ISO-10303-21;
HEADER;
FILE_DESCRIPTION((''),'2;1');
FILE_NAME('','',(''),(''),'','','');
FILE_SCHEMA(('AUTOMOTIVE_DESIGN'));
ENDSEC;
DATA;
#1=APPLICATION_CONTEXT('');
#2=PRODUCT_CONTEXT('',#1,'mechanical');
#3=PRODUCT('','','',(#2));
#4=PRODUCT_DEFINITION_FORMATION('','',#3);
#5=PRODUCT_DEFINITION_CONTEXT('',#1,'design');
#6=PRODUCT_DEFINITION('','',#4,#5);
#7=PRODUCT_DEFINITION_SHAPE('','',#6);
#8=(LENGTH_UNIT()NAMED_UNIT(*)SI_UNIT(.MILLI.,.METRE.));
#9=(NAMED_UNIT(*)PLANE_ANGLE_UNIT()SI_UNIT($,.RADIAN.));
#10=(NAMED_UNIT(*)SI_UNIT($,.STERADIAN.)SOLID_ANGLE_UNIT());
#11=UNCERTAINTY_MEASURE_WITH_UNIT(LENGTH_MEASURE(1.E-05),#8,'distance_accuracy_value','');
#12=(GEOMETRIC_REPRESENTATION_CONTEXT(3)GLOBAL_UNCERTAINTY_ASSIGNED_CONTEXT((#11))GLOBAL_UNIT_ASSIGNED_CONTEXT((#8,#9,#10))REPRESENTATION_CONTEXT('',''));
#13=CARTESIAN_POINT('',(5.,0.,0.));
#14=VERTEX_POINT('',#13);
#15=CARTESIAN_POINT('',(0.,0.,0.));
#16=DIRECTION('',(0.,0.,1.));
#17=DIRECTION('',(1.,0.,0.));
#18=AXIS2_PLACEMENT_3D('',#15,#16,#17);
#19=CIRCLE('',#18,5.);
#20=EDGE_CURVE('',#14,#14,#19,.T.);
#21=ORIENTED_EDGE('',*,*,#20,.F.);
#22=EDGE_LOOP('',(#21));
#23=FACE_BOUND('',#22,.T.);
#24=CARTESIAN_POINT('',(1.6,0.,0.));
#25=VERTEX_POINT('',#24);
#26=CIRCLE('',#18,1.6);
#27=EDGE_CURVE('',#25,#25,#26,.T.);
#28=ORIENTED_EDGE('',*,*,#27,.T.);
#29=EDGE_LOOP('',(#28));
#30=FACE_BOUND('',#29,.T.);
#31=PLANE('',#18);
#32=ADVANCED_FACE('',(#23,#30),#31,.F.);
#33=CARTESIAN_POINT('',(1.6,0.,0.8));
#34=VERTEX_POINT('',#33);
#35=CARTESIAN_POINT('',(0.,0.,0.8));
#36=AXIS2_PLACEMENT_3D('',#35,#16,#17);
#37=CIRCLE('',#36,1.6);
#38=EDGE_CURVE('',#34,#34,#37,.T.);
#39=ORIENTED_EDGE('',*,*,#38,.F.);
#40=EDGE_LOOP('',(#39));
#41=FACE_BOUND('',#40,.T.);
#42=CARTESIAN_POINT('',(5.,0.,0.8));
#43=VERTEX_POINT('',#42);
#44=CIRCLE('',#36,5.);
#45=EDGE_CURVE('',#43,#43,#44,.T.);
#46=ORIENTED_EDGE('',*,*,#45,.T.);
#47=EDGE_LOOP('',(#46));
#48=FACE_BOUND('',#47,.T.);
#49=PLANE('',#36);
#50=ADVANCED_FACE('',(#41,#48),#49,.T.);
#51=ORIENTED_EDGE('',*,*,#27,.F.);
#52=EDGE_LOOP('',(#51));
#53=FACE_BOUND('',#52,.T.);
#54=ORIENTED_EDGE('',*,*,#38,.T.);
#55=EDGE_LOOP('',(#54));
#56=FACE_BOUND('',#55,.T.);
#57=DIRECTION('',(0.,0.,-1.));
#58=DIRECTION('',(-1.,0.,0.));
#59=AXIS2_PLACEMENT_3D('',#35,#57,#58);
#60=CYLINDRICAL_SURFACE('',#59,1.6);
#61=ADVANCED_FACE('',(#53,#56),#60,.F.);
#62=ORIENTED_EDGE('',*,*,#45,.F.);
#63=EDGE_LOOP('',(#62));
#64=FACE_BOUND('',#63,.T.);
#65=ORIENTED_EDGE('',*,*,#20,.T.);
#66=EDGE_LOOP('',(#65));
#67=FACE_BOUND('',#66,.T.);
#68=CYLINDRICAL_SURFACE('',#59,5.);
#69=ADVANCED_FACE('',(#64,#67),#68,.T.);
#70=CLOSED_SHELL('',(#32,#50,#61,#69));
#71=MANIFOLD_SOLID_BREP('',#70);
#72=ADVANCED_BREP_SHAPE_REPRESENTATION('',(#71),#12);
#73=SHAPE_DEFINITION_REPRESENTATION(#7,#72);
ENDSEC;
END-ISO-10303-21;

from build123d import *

# Parameters (mm, degrees)
S01_WIDE_WASHER_FOR_PIN_RETENTION_R      = 5
S01_WIDE_WASHER_FOR_PIN_RETENTION_R_2    = 1.6
F_01_WIDE_WASHER_FOR_PIN_RETENTION_DEPTH = 0.8


with BuildPart() as part:
    # S01 - Wide washer for pin retention → 01 - Wide washer for pin retention (new body)
    with BuildSketch(Plane.XY):
        Circle(S01_WIDE_WASHER_FOR_PIN_RETENTION_R)
        Circle(S01_WIDE_WASHER_FOR_PIN_RETENTION_R_2, mode=Mode.SUBTRACT)
    extrude(amount=F_01_WIDE_WASHER_FOR_PIN_RETENTION_DEPTH)


solid = part.part
